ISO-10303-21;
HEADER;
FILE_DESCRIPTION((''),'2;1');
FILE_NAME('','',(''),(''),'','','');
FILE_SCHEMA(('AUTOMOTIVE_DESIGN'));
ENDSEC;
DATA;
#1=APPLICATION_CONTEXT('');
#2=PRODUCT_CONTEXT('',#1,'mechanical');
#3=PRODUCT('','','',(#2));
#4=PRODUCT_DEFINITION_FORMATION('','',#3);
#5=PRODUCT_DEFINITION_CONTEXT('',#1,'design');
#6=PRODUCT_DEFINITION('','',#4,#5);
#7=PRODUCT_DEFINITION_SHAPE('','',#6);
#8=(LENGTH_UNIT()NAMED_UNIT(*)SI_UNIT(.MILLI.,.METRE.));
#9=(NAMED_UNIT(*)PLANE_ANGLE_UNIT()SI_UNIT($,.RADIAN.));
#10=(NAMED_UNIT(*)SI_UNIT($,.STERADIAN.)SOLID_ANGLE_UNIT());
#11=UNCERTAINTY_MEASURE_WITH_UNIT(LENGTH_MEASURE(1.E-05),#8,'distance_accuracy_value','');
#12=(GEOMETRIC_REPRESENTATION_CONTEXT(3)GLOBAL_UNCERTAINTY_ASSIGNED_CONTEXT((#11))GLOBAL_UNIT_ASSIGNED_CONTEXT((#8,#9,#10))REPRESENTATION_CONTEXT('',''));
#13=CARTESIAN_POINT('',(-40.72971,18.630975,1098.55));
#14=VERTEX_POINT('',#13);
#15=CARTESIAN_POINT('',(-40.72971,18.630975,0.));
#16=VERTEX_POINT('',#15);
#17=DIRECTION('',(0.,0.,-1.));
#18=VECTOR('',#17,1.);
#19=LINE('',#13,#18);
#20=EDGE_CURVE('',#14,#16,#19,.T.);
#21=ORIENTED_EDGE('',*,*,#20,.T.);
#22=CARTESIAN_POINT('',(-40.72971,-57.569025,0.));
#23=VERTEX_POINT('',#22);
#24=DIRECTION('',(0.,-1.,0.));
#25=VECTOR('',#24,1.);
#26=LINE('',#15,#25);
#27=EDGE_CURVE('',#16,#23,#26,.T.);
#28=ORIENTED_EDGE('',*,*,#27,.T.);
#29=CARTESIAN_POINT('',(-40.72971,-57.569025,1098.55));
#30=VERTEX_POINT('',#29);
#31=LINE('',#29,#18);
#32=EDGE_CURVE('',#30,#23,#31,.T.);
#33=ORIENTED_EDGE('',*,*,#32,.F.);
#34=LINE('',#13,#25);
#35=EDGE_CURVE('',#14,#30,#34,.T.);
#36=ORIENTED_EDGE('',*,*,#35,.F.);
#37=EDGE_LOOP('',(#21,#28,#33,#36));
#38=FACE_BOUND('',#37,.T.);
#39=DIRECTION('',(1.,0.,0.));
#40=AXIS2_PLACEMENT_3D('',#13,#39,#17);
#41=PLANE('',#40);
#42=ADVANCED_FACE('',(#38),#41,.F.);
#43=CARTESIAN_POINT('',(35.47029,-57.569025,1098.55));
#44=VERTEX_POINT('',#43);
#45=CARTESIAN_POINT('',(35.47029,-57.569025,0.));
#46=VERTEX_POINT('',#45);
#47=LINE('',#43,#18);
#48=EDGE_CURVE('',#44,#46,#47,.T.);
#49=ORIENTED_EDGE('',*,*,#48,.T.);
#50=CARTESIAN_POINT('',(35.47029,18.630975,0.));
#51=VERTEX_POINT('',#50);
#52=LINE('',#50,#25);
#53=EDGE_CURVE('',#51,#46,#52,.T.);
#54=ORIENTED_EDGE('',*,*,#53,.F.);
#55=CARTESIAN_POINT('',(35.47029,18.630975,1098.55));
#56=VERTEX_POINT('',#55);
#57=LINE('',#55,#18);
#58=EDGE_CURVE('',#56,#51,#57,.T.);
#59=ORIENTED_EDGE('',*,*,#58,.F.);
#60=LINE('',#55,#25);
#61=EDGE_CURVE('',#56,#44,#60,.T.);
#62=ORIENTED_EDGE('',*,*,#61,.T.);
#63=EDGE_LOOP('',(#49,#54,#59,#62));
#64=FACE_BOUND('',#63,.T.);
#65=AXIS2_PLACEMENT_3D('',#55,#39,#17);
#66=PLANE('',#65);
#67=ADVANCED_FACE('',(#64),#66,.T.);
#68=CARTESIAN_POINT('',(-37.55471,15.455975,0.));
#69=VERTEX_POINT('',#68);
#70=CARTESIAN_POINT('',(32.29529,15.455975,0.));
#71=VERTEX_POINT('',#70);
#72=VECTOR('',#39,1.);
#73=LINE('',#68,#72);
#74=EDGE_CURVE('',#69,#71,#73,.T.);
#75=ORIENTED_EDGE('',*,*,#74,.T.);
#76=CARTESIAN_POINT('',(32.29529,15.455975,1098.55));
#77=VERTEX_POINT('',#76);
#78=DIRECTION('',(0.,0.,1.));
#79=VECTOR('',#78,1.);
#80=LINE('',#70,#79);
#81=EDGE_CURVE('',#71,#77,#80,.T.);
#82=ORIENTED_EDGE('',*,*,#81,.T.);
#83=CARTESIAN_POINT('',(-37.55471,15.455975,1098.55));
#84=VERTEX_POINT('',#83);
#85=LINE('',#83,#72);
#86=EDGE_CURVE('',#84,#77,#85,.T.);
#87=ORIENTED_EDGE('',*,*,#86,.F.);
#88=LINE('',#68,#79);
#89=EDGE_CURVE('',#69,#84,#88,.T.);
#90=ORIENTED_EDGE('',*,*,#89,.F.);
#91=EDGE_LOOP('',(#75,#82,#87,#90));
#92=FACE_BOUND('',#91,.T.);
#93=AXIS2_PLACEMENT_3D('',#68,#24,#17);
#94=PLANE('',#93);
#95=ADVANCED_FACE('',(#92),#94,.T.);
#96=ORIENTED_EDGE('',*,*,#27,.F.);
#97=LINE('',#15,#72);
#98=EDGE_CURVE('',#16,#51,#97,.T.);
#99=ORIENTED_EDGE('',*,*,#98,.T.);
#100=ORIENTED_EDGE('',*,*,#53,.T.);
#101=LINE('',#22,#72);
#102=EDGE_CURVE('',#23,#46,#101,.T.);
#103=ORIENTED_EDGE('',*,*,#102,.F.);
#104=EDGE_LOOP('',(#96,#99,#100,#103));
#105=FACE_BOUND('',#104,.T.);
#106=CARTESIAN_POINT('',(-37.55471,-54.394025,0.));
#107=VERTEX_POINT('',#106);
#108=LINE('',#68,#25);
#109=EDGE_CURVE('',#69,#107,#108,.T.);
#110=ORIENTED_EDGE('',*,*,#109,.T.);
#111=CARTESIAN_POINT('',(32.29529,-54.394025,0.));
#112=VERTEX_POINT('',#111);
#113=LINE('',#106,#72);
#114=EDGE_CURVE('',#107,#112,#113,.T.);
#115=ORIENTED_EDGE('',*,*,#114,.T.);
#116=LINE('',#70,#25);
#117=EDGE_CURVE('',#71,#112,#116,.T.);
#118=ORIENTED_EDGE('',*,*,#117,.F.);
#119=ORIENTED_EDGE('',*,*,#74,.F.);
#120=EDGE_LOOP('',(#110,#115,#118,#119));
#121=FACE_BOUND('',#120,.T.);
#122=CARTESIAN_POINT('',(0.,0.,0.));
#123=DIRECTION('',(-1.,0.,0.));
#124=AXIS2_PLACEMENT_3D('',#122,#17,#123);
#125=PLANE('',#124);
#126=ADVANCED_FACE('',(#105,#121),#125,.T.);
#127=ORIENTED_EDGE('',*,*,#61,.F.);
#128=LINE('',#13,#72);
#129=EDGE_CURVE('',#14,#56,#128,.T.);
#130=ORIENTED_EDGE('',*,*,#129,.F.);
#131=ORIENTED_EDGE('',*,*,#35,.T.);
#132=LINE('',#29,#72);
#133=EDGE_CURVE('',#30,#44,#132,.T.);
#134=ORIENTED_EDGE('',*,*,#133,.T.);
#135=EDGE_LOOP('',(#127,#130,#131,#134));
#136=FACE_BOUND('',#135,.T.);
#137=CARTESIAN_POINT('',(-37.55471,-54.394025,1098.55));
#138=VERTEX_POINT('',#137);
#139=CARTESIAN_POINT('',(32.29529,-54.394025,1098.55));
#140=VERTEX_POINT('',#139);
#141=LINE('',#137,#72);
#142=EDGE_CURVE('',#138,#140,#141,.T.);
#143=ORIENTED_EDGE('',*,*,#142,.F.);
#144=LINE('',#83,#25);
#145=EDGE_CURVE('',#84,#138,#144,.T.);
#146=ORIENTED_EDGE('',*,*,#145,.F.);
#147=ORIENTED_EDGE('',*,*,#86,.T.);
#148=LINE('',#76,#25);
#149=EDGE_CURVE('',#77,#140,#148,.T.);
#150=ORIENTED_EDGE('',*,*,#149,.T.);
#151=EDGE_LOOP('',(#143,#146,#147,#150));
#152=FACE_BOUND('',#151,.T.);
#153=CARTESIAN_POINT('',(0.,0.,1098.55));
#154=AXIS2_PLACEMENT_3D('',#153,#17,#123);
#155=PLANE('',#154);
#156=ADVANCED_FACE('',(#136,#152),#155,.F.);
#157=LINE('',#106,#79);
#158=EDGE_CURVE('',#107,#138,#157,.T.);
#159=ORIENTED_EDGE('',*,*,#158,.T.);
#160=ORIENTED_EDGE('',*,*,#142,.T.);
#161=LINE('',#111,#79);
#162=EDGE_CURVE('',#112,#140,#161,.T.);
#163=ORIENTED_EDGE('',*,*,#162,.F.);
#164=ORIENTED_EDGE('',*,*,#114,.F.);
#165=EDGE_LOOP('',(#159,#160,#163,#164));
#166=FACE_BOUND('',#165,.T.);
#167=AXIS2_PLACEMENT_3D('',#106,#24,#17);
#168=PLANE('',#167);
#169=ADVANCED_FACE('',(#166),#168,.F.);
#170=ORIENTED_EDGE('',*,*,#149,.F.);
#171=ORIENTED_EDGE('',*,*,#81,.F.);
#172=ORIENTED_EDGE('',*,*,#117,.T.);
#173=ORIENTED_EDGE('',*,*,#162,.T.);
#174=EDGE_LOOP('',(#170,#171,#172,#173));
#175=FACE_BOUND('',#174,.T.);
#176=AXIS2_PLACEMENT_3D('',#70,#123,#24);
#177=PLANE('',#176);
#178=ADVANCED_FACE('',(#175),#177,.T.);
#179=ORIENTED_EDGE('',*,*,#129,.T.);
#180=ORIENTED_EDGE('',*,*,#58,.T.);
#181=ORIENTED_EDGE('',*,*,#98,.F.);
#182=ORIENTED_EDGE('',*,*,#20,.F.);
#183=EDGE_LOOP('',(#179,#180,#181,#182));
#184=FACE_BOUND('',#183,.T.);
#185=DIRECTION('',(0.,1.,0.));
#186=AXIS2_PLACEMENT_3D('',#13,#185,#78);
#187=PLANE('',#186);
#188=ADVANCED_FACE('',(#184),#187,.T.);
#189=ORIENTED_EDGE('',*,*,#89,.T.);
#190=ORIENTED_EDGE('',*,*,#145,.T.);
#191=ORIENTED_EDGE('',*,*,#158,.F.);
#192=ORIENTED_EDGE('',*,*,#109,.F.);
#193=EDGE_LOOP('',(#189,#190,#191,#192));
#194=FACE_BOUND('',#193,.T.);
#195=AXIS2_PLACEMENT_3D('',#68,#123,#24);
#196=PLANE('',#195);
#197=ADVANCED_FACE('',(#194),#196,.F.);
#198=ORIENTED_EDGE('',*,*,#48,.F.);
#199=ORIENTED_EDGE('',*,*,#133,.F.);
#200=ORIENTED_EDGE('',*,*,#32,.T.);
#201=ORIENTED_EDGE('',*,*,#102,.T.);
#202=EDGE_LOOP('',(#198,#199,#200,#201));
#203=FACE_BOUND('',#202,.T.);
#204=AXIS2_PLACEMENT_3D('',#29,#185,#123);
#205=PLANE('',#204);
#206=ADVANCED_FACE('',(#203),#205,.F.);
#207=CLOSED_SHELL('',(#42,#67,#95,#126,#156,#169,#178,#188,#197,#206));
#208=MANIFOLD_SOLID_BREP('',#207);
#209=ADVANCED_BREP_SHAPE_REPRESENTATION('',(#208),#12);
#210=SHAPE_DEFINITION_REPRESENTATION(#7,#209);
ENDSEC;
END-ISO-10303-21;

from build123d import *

# Parameters (mm, degrees)
SKETCH2_W           = 76.2
SKETCH2_H           = 76.2
BOSS_EXTRUDE1_DEPTH = 1098.55
SKETCH3_W           = 69.85
SKETCH3_H           = 69.85
CUT_EXTRUDE1_DEPTH  = 1098.55


with BuildPart() as part:
    # Sketch2 → Boss-Extrude1 (new body)
    with BuildSketch(Plane.XY):
        with Locations((-2.629709588, -19.469024582)):
            Rectangle(SKETCH2_W, SKETCH2_H)
    extrude(amount=BOSS_EXTRUDE1_DEPTH)

    # Sketch3 → Cut-Extrude1 (cut)
    with BuildSketch(Plane.XY.offset(1098.55)):
        with Locations((-2.629709588, -19.469024582)):
            Rectangle(SKETCH3_W, SKETCH3_H)
    extrude(amount=-CUT_EXTRUDE1_DEPTH, mode=Mode.SUBTRACT)


solid = part.part
